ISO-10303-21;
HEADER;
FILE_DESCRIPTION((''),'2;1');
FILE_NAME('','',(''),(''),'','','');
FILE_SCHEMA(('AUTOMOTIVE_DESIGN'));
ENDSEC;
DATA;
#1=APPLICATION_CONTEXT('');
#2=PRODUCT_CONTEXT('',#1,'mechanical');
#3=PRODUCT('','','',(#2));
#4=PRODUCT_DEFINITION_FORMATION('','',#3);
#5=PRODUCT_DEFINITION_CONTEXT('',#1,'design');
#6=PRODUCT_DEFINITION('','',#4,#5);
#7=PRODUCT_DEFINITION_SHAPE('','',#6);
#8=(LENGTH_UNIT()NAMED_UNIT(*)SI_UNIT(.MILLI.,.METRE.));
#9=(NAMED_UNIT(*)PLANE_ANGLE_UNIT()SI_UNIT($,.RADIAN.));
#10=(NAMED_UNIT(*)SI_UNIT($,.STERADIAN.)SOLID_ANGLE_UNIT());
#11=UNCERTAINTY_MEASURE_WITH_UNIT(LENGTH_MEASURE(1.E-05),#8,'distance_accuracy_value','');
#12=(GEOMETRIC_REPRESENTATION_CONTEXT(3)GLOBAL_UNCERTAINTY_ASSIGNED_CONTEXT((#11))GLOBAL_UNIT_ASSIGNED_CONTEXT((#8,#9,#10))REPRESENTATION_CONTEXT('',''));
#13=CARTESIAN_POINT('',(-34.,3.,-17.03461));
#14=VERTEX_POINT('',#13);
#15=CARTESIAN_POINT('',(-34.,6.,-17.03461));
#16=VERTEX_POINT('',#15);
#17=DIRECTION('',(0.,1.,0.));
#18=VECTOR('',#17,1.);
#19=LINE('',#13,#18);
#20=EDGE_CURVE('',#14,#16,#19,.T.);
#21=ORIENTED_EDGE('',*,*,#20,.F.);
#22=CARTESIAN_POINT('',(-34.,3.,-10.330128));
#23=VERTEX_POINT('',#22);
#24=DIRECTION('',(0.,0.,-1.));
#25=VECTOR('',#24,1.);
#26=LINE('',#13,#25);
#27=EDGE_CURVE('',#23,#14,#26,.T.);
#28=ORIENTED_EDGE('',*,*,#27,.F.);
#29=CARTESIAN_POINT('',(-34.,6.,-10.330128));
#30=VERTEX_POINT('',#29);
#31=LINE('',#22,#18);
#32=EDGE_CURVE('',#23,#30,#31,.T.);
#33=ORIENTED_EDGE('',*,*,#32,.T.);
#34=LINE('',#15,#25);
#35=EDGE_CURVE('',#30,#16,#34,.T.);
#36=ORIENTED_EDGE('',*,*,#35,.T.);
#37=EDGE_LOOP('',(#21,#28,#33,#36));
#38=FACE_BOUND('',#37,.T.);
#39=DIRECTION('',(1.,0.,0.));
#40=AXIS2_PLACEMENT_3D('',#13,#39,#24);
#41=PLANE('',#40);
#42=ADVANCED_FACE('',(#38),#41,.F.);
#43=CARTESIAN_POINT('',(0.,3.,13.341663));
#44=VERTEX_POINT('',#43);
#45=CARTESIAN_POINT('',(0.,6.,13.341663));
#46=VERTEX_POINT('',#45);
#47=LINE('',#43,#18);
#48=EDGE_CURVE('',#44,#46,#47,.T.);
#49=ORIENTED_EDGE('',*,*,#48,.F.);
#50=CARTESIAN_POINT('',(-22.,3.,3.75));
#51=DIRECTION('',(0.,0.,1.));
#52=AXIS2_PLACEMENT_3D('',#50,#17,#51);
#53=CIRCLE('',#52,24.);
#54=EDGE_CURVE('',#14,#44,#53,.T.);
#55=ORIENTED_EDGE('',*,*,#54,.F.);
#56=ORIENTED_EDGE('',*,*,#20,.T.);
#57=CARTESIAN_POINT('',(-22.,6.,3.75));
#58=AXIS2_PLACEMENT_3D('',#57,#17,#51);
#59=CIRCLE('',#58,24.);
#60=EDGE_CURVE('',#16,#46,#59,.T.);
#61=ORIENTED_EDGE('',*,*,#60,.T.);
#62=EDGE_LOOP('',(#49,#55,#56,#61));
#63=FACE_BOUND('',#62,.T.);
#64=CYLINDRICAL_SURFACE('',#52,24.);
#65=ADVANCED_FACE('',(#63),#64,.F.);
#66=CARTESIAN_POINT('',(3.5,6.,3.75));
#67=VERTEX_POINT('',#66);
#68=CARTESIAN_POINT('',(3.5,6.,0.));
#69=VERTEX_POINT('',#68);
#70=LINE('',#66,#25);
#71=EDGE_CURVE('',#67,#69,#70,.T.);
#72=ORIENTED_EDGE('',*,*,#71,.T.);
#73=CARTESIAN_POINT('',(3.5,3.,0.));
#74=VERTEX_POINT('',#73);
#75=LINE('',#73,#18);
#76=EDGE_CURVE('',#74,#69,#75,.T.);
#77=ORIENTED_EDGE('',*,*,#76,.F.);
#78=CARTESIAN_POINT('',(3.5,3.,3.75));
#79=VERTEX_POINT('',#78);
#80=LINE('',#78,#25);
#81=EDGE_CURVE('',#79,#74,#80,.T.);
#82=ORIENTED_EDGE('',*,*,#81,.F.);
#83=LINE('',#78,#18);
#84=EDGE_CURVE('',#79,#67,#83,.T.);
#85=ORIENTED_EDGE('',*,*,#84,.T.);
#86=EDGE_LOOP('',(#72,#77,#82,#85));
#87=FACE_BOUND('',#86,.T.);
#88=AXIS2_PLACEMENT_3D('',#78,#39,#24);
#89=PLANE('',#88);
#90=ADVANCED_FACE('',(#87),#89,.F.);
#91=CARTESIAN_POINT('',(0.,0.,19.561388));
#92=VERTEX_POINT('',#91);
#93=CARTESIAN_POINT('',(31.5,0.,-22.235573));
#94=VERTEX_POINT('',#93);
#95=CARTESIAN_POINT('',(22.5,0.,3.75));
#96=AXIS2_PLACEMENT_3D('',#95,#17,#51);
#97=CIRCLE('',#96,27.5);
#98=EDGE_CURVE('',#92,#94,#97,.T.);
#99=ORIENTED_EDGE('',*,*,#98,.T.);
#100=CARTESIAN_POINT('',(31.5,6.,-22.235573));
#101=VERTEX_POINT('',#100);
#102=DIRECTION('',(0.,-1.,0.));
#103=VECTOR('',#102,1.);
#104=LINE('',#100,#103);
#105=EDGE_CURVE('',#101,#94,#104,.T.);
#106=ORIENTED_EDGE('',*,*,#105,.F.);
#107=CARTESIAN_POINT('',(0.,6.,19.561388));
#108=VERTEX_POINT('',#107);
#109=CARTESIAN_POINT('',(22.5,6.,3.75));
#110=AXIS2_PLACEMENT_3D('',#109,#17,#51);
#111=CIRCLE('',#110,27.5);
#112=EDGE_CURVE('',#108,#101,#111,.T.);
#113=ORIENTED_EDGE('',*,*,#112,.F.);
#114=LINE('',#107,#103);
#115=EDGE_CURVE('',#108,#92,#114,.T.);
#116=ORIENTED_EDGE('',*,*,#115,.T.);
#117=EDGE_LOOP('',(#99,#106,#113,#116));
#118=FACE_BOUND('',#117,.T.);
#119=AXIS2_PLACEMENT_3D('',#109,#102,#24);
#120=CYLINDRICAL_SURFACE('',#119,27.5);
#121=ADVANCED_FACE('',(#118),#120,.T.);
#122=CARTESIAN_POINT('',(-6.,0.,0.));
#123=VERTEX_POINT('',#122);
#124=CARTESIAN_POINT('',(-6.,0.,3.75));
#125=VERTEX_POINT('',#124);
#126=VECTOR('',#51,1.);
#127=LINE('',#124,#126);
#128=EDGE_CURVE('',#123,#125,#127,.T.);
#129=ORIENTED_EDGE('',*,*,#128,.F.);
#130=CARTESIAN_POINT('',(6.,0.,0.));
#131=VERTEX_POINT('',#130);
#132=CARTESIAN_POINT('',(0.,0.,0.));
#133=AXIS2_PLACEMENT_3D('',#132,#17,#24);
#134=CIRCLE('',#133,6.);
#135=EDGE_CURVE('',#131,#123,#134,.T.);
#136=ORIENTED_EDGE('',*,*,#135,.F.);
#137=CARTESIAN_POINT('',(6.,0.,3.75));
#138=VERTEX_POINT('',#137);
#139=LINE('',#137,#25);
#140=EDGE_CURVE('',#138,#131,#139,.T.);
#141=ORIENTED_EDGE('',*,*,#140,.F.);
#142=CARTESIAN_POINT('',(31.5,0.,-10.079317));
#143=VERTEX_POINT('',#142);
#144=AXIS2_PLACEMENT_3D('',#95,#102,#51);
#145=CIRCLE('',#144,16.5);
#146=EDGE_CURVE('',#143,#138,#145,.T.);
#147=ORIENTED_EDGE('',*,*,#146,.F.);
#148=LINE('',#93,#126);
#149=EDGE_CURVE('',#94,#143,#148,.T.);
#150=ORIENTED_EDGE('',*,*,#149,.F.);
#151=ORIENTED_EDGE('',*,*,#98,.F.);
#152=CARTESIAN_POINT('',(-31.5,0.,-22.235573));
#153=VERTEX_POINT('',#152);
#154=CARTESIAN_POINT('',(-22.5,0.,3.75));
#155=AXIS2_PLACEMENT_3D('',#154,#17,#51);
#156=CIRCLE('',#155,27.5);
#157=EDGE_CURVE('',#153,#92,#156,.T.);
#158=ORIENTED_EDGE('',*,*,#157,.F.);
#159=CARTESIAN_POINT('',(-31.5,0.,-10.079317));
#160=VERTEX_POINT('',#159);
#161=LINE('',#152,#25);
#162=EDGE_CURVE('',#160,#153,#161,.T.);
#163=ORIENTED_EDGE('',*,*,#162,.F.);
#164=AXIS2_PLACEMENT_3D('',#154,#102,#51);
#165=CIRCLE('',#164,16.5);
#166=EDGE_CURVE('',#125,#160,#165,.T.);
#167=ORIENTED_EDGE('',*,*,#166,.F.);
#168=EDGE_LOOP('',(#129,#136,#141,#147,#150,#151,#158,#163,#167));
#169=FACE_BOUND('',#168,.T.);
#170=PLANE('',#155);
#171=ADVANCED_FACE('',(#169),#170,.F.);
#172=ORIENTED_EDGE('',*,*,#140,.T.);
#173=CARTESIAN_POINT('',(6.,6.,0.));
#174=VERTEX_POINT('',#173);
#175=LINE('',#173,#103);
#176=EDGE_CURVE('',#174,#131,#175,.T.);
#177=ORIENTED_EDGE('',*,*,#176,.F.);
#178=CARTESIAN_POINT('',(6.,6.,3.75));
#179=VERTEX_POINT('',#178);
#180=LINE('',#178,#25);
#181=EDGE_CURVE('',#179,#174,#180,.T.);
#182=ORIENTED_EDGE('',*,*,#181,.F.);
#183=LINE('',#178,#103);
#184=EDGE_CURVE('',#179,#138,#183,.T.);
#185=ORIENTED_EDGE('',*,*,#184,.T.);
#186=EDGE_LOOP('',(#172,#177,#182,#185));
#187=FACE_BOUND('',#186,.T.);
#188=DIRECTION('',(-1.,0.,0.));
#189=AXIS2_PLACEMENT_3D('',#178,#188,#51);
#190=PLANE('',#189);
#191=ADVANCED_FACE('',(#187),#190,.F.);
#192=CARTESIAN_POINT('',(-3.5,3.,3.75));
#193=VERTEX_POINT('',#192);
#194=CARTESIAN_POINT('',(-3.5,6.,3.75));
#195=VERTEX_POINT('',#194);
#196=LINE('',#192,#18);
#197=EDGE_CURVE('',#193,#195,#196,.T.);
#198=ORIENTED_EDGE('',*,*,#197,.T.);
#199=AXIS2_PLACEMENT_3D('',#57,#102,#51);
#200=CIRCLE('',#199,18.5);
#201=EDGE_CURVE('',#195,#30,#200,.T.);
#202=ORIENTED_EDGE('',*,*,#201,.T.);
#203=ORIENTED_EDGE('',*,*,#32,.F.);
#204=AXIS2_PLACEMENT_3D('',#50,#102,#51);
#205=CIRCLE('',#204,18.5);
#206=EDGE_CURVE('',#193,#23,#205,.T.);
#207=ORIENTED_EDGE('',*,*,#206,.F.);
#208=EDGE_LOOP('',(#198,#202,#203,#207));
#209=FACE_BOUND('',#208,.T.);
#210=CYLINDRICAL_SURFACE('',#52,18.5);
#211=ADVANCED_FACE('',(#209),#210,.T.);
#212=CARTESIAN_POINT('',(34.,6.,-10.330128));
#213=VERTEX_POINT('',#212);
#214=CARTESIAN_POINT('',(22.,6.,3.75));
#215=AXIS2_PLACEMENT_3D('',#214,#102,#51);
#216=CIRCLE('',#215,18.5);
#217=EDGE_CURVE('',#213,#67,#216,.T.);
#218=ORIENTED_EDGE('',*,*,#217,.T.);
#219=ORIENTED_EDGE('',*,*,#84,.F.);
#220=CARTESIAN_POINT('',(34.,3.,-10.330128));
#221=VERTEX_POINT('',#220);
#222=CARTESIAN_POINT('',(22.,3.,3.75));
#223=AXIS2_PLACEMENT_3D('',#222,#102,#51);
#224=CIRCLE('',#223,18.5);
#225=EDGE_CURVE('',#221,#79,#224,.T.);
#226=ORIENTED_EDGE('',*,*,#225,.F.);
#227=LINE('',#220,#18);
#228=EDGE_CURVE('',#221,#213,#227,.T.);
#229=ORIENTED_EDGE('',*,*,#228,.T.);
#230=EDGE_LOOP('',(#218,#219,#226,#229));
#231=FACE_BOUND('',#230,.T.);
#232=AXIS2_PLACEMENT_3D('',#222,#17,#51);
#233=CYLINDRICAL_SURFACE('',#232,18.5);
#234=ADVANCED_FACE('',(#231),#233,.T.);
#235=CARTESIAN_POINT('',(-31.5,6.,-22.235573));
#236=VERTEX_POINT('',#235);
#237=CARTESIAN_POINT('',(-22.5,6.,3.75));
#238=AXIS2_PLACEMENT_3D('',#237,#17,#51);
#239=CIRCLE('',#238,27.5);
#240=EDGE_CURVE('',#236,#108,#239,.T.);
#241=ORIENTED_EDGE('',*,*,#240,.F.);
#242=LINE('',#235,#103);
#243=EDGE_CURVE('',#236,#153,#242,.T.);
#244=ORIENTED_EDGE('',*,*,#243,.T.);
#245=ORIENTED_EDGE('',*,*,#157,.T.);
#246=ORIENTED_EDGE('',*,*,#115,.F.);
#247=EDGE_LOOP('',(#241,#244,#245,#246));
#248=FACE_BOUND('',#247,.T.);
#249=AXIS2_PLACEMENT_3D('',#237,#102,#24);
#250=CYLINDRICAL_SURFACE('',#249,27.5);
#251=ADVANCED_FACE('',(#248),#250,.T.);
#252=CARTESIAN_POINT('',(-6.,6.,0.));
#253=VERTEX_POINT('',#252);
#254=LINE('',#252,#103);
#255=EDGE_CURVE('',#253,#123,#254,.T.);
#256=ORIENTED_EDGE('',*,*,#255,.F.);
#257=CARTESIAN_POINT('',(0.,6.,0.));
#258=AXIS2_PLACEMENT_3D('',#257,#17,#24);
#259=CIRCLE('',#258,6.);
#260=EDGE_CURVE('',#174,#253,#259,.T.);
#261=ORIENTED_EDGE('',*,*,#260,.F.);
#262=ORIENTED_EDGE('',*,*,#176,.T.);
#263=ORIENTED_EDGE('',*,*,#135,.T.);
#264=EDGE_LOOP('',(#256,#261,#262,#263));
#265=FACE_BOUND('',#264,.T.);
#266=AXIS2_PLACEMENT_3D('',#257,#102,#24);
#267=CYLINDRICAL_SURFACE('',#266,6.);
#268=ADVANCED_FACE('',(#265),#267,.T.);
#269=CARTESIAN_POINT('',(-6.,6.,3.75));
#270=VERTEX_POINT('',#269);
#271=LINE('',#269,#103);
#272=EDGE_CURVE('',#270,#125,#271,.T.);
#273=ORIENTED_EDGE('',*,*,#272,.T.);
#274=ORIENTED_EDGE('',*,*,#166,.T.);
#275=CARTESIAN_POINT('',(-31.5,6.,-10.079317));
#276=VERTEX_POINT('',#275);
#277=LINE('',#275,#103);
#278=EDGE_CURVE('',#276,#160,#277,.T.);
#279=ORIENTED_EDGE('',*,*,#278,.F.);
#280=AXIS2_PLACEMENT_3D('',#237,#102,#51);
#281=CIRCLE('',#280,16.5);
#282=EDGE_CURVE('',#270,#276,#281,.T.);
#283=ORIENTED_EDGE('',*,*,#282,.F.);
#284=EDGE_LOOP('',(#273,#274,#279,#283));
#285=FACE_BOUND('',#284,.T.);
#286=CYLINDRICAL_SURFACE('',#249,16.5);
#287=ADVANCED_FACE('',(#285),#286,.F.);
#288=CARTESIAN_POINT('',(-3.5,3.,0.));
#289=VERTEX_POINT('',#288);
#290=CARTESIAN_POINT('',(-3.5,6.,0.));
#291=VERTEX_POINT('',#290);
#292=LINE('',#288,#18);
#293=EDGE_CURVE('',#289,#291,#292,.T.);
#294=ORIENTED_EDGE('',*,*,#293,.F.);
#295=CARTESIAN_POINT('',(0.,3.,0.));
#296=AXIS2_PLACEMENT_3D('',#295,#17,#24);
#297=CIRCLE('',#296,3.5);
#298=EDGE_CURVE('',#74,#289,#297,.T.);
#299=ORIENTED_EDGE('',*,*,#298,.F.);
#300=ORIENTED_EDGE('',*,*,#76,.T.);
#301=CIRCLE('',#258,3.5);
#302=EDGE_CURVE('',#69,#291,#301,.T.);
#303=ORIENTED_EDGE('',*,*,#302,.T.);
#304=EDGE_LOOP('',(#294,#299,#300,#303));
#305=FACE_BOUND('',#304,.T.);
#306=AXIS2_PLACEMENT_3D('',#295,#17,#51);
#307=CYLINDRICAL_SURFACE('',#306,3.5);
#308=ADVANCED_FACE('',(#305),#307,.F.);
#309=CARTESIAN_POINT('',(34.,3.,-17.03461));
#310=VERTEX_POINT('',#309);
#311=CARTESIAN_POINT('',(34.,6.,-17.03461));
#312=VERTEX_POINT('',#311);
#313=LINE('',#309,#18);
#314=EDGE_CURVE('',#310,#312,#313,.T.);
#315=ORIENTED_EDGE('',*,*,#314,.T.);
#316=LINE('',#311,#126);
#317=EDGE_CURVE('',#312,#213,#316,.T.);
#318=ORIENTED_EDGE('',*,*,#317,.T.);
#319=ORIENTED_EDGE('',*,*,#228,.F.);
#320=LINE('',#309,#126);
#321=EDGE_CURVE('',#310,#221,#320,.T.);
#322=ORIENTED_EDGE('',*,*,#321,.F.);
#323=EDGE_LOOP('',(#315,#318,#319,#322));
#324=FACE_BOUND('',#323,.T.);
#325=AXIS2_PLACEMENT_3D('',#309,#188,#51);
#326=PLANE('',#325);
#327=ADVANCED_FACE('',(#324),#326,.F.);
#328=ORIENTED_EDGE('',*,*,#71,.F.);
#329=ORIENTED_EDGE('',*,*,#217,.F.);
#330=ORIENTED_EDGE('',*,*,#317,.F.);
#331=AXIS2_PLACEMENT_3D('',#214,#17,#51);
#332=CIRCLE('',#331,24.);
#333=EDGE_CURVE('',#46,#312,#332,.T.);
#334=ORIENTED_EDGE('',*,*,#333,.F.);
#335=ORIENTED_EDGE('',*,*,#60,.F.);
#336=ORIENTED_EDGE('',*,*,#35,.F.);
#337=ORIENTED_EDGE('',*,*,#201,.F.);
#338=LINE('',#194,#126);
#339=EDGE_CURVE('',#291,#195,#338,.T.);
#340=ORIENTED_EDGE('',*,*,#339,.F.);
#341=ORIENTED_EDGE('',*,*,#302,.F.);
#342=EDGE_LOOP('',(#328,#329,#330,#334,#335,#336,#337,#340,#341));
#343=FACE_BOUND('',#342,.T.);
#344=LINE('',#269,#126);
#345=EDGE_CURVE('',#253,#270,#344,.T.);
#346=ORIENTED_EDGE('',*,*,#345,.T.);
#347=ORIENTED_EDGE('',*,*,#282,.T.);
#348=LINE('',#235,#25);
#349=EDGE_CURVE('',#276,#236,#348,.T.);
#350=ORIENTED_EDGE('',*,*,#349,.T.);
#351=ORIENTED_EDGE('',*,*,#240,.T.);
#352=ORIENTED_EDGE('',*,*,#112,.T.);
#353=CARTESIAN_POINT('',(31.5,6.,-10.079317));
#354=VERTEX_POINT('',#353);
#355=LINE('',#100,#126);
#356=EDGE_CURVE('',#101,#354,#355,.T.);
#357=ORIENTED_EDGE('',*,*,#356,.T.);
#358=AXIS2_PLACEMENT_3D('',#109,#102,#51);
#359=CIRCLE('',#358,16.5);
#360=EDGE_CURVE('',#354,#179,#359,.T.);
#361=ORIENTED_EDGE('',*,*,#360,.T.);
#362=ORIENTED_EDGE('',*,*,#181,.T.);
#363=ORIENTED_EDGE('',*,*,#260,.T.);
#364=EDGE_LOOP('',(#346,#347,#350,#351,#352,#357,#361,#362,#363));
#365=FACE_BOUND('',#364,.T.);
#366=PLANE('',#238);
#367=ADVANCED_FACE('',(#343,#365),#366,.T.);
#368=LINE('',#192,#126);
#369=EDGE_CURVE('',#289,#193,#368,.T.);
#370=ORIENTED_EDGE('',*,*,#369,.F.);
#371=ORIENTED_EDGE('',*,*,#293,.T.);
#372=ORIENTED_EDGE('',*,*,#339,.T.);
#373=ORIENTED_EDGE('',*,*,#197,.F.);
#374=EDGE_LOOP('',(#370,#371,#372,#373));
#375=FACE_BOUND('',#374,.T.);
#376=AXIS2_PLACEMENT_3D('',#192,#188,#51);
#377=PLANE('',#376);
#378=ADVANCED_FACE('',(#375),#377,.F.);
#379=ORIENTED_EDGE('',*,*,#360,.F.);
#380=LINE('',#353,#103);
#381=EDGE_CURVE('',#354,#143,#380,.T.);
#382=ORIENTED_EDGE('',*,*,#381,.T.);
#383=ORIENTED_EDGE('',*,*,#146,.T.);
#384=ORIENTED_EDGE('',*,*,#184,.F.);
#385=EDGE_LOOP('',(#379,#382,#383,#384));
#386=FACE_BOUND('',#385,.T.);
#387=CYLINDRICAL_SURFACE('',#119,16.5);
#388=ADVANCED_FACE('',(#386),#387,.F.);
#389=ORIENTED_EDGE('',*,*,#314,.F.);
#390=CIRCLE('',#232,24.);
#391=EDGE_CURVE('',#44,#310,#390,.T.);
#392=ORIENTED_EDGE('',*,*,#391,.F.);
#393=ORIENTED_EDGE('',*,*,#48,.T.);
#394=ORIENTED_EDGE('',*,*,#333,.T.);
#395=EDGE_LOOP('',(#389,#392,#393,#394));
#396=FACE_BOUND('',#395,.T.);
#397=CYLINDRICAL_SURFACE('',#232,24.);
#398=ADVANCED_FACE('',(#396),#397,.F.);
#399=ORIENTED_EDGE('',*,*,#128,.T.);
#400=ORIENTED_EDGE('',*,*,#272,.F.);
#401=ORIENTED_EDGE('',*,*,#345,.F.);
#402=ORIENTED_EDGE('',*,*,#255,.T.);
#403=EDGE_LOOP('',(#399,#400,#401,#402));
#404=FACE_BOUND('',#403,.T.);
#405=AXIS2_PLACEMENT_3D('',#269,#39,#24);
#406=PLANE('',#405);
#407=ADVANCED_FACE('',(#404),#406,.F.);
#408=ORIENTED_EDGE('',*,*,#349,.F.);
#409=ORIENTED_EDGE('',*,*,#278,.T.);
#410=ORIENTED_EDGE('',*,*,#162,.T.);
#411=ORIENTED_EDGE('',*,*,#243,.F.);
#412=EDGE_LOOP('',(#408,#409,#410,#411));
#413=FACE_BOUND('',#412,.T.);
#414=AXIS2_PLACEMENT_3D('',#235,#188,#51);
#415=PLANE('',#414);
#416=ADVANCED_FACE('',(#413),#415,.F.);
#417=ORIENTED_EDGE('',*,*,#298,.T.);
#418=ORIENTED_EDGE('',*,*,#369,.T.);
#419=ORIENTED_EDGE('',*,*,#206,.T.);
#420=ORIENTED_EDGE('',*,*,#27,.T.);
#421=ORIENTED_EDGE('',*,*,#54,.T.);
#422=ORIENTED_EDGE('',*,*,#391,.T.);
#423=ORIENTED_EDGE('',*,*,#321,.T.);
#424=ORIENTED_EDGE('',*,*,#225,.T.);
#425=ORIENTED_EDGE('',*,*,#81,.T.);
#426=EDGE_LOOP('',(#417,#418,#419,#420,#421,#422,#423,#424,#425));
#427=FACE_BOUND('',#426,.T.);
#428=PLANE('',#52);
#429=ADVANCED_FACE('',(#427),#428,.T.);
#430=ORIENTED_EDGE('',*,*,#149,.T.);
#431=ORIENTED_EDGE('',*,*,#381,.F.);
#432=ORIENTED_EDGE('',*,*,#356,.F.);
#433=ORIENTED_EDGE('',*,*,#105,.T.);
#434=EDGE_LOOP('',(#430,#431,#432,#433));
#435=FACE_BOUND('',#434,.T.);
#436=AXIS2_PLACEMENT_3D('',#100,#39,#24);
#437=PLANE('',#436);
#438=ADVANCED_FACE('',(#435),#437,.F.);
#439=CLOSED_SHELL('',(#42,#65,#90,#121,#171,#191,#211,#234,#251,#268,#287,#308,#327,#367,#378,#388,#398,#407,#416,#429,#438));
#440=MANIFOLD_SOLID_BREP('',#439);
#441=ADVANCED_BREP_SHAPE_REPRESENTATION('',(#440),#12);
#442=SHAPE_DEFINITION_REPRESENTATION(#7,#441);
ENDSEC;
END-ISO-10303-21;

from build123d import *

# Parameters (mm, degrees)
EXTRUDE_1_DEPTH     = 6
CUT_EXTRUDE_1_DEPTH = 3


with BuildPart() as part:
    # Эскиз1 → Бобышка-Вытянуть1 (new body)
    with BuildSketch(Plane(origin=(0, 0, 0), x_dir=(1, 0, 0), z_dir=(0, 1, 0))):
        with BuildLine():
            Line((-6, -3.75), (-6, 0))
            ThreePointArc((-6, 0), (0, 6), (6, 0))
            Line((6, 0), (6, -3.75))
            ThreePointArc((6, -3.75), (30.366066361, -18.254309704), (31.5, 10.079316686))
            Line((31.5, 10.079316686), (31.5, 22.23557292))
            ThreePointArc((31.5, 22.23557292), (44.461534369, -20.301163348), (0, -19.561388301))
            ThreePointArc((0, -19.561388301), (-44.461534369, -20.301163348), (-31.5, 22.23557292))
            Line((-31.5, 22.23557292), (-31.5, 10.079316686))
            ThreePointArc((-31.5, 10.079316686), (-30.366066361, -18.254309704), (-6, -3.75))
        make_face()
    extrude(amount=EXTRUDE_1_DEPTH)

    # Эскиз4 → Вырез-Вытянуть1 (cut)
    with BuildSketch(Plane(origin=(0, 6, 0), x_dir=(1, 0, 0), z_dir=(0, 1, 0))):
        with BuildLine():
            Line((-3.5, -3.75), (-3.5, 0))
            ThreePointArc((-3.5, 0), (0, 3.5), (3.5, 0))
            Line((3.5, 0), (3.5, -3.75))
            ThreePointArc((3.5, -3.75), (29.75403121, -20.546577032), (34, 10.33012784))
            Line((34, 10.33012784), (34, 17.034609691))
            ThreePointArc((34, 17.034609691), (37.989980812, -21.647500207), (0, -13.341663047))
            ThreePointArc((0, -13.341663047), (-37.989980812, -21.647500207), (-34, 17.034609691))
            Line((-34, 17.034609691), (-34, 10.33012784))
            ThreePointArc((-34, 10.33012784), (-29.75403121, -20.546577032), (-3.5, -3.75))
        make_face()
    extrude(amount=-CUT_EXTRUDE_1_DEPTH, mode=Mode.SUBTRACT)


solid = part.part
